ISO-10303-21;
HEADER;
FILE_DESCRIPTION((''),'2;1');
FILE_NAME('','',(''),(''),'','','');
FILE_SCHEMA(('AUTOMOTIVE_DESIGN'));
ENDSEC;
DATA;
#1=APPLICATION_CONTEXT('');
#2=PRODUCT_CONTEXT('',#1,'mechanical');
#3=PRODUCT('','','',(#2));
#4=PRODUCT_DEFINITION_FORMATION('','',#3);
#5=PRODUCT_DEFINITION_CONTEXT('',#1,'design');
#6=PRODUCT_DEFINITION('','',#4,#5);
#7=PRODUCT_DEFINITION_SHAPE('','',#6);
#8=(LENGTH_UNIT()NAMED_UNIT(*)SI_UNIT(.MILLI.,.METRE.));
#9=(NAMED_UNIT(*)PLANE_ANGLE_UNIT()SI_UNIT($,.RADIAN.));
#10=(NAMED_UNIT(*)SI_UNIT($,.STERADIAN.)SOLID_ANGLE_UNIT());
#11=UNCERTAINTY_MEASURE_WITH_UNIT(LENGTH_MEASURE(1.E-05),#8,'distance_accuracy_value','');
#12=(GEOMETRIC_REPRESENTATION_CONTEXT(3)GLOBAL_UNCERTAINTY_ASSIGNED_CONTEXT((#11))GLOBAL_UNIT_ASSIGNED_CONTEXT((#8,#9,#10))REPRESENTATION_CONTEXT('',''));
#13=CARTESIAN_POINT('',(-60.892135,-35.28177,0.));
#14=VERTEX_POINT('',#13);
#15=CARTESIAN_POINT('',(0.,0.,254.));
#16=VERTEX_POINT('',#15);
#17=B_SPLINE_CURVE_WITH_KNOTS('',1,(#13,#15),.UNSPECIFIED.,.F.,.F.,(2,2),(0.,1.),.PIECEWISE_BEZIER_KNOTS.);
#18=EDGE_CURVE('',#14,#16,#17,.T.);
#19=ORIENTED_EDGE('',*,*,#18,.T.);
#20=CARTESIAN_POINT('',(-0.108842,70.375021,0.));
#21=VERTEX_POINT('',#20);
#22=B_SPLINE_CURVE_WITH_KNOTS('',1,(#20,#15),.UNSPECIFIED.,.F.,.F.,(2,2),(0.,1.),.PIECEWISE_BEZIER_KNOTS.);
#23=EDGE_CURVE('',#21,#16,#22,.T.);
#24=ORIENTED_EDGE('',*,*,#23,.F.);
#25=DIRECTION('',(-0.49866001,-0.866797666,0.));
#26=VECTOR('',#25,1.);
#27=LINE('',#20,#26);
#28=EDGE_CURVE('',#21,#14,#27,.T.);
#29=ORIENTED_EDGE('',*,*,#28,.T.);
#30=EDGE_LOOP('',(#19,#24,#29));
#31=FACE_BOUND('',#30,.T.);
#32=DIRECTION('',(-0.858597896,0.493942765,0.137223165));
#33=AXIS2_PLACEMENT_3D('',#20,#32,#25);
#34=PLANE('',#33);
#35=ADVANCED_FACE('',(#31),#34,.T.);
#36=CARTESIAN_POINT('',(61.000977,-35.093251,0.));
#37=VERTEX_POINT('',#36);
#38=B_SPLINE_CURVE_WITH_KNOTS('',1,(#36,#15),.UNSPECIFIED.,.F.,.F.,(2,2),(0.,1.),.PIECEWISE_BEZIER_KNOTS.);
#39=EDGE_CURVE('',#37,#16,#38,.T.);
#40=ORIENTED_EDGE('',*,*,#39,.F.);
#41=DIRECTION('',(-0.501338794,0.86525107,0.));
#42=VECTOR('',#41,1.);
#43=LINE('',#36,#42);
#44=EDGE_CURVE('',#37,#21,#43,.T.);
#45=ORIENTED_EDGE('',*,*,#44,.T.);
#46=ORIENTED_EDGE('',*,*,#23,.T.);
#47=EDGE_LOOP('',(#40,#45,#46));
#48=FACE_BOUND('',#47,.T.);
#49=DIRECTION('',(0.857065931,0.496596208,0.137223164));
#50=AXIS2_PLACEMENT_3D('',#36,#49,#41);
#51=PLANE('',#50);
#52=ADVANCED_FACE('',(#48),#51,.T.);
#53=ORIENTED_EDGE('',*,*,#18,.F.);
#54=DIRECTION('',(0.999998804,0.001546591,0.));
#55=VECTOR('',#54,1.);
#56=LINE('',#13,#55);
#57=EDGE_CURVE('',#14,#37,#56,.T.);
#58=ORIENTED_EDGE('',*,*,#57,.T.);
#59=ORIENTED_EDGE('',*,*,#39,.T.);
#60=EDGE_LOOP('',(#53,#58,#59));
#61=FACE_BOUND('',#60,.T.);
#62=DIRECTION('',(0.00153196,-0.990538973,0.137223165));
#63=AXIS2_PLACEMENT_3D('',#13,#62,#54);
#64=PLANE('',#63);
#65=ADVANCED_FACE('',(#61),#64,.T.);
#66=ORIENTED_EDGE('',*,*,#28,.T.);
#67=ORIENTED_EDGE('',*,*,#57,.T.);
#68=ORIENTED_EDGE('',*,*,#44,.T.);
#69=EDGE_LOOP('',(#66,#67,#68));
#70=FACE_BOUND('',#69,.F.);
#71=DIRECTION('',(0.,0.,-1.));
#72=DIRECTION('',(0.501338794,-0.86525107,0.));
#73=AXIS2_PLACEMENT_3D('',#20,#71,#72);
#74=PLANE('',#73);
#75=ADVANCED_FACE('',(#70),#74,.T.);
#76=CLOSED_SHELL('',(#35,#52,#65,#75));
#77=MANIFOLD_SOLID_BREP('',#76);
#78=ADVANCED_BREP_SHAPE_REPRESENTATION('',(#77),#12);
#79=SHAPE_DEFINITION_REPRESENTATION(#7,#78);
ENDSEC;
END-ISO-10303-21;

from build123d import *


with BuildPart() as f3:
    # F0 (on Top) → F3 section 0
    with BuildSketch(Plane.XY, mode=Mode.PRIVATE) as f3_s0:
        Polygon((-0.108842, 70.375021), (-60.892135, -35.28177), (61.000977, -35.093251), align=None)
    loft([f3_s0.sketch, Vertex(0, 0, 254)])


solid = f3.part
